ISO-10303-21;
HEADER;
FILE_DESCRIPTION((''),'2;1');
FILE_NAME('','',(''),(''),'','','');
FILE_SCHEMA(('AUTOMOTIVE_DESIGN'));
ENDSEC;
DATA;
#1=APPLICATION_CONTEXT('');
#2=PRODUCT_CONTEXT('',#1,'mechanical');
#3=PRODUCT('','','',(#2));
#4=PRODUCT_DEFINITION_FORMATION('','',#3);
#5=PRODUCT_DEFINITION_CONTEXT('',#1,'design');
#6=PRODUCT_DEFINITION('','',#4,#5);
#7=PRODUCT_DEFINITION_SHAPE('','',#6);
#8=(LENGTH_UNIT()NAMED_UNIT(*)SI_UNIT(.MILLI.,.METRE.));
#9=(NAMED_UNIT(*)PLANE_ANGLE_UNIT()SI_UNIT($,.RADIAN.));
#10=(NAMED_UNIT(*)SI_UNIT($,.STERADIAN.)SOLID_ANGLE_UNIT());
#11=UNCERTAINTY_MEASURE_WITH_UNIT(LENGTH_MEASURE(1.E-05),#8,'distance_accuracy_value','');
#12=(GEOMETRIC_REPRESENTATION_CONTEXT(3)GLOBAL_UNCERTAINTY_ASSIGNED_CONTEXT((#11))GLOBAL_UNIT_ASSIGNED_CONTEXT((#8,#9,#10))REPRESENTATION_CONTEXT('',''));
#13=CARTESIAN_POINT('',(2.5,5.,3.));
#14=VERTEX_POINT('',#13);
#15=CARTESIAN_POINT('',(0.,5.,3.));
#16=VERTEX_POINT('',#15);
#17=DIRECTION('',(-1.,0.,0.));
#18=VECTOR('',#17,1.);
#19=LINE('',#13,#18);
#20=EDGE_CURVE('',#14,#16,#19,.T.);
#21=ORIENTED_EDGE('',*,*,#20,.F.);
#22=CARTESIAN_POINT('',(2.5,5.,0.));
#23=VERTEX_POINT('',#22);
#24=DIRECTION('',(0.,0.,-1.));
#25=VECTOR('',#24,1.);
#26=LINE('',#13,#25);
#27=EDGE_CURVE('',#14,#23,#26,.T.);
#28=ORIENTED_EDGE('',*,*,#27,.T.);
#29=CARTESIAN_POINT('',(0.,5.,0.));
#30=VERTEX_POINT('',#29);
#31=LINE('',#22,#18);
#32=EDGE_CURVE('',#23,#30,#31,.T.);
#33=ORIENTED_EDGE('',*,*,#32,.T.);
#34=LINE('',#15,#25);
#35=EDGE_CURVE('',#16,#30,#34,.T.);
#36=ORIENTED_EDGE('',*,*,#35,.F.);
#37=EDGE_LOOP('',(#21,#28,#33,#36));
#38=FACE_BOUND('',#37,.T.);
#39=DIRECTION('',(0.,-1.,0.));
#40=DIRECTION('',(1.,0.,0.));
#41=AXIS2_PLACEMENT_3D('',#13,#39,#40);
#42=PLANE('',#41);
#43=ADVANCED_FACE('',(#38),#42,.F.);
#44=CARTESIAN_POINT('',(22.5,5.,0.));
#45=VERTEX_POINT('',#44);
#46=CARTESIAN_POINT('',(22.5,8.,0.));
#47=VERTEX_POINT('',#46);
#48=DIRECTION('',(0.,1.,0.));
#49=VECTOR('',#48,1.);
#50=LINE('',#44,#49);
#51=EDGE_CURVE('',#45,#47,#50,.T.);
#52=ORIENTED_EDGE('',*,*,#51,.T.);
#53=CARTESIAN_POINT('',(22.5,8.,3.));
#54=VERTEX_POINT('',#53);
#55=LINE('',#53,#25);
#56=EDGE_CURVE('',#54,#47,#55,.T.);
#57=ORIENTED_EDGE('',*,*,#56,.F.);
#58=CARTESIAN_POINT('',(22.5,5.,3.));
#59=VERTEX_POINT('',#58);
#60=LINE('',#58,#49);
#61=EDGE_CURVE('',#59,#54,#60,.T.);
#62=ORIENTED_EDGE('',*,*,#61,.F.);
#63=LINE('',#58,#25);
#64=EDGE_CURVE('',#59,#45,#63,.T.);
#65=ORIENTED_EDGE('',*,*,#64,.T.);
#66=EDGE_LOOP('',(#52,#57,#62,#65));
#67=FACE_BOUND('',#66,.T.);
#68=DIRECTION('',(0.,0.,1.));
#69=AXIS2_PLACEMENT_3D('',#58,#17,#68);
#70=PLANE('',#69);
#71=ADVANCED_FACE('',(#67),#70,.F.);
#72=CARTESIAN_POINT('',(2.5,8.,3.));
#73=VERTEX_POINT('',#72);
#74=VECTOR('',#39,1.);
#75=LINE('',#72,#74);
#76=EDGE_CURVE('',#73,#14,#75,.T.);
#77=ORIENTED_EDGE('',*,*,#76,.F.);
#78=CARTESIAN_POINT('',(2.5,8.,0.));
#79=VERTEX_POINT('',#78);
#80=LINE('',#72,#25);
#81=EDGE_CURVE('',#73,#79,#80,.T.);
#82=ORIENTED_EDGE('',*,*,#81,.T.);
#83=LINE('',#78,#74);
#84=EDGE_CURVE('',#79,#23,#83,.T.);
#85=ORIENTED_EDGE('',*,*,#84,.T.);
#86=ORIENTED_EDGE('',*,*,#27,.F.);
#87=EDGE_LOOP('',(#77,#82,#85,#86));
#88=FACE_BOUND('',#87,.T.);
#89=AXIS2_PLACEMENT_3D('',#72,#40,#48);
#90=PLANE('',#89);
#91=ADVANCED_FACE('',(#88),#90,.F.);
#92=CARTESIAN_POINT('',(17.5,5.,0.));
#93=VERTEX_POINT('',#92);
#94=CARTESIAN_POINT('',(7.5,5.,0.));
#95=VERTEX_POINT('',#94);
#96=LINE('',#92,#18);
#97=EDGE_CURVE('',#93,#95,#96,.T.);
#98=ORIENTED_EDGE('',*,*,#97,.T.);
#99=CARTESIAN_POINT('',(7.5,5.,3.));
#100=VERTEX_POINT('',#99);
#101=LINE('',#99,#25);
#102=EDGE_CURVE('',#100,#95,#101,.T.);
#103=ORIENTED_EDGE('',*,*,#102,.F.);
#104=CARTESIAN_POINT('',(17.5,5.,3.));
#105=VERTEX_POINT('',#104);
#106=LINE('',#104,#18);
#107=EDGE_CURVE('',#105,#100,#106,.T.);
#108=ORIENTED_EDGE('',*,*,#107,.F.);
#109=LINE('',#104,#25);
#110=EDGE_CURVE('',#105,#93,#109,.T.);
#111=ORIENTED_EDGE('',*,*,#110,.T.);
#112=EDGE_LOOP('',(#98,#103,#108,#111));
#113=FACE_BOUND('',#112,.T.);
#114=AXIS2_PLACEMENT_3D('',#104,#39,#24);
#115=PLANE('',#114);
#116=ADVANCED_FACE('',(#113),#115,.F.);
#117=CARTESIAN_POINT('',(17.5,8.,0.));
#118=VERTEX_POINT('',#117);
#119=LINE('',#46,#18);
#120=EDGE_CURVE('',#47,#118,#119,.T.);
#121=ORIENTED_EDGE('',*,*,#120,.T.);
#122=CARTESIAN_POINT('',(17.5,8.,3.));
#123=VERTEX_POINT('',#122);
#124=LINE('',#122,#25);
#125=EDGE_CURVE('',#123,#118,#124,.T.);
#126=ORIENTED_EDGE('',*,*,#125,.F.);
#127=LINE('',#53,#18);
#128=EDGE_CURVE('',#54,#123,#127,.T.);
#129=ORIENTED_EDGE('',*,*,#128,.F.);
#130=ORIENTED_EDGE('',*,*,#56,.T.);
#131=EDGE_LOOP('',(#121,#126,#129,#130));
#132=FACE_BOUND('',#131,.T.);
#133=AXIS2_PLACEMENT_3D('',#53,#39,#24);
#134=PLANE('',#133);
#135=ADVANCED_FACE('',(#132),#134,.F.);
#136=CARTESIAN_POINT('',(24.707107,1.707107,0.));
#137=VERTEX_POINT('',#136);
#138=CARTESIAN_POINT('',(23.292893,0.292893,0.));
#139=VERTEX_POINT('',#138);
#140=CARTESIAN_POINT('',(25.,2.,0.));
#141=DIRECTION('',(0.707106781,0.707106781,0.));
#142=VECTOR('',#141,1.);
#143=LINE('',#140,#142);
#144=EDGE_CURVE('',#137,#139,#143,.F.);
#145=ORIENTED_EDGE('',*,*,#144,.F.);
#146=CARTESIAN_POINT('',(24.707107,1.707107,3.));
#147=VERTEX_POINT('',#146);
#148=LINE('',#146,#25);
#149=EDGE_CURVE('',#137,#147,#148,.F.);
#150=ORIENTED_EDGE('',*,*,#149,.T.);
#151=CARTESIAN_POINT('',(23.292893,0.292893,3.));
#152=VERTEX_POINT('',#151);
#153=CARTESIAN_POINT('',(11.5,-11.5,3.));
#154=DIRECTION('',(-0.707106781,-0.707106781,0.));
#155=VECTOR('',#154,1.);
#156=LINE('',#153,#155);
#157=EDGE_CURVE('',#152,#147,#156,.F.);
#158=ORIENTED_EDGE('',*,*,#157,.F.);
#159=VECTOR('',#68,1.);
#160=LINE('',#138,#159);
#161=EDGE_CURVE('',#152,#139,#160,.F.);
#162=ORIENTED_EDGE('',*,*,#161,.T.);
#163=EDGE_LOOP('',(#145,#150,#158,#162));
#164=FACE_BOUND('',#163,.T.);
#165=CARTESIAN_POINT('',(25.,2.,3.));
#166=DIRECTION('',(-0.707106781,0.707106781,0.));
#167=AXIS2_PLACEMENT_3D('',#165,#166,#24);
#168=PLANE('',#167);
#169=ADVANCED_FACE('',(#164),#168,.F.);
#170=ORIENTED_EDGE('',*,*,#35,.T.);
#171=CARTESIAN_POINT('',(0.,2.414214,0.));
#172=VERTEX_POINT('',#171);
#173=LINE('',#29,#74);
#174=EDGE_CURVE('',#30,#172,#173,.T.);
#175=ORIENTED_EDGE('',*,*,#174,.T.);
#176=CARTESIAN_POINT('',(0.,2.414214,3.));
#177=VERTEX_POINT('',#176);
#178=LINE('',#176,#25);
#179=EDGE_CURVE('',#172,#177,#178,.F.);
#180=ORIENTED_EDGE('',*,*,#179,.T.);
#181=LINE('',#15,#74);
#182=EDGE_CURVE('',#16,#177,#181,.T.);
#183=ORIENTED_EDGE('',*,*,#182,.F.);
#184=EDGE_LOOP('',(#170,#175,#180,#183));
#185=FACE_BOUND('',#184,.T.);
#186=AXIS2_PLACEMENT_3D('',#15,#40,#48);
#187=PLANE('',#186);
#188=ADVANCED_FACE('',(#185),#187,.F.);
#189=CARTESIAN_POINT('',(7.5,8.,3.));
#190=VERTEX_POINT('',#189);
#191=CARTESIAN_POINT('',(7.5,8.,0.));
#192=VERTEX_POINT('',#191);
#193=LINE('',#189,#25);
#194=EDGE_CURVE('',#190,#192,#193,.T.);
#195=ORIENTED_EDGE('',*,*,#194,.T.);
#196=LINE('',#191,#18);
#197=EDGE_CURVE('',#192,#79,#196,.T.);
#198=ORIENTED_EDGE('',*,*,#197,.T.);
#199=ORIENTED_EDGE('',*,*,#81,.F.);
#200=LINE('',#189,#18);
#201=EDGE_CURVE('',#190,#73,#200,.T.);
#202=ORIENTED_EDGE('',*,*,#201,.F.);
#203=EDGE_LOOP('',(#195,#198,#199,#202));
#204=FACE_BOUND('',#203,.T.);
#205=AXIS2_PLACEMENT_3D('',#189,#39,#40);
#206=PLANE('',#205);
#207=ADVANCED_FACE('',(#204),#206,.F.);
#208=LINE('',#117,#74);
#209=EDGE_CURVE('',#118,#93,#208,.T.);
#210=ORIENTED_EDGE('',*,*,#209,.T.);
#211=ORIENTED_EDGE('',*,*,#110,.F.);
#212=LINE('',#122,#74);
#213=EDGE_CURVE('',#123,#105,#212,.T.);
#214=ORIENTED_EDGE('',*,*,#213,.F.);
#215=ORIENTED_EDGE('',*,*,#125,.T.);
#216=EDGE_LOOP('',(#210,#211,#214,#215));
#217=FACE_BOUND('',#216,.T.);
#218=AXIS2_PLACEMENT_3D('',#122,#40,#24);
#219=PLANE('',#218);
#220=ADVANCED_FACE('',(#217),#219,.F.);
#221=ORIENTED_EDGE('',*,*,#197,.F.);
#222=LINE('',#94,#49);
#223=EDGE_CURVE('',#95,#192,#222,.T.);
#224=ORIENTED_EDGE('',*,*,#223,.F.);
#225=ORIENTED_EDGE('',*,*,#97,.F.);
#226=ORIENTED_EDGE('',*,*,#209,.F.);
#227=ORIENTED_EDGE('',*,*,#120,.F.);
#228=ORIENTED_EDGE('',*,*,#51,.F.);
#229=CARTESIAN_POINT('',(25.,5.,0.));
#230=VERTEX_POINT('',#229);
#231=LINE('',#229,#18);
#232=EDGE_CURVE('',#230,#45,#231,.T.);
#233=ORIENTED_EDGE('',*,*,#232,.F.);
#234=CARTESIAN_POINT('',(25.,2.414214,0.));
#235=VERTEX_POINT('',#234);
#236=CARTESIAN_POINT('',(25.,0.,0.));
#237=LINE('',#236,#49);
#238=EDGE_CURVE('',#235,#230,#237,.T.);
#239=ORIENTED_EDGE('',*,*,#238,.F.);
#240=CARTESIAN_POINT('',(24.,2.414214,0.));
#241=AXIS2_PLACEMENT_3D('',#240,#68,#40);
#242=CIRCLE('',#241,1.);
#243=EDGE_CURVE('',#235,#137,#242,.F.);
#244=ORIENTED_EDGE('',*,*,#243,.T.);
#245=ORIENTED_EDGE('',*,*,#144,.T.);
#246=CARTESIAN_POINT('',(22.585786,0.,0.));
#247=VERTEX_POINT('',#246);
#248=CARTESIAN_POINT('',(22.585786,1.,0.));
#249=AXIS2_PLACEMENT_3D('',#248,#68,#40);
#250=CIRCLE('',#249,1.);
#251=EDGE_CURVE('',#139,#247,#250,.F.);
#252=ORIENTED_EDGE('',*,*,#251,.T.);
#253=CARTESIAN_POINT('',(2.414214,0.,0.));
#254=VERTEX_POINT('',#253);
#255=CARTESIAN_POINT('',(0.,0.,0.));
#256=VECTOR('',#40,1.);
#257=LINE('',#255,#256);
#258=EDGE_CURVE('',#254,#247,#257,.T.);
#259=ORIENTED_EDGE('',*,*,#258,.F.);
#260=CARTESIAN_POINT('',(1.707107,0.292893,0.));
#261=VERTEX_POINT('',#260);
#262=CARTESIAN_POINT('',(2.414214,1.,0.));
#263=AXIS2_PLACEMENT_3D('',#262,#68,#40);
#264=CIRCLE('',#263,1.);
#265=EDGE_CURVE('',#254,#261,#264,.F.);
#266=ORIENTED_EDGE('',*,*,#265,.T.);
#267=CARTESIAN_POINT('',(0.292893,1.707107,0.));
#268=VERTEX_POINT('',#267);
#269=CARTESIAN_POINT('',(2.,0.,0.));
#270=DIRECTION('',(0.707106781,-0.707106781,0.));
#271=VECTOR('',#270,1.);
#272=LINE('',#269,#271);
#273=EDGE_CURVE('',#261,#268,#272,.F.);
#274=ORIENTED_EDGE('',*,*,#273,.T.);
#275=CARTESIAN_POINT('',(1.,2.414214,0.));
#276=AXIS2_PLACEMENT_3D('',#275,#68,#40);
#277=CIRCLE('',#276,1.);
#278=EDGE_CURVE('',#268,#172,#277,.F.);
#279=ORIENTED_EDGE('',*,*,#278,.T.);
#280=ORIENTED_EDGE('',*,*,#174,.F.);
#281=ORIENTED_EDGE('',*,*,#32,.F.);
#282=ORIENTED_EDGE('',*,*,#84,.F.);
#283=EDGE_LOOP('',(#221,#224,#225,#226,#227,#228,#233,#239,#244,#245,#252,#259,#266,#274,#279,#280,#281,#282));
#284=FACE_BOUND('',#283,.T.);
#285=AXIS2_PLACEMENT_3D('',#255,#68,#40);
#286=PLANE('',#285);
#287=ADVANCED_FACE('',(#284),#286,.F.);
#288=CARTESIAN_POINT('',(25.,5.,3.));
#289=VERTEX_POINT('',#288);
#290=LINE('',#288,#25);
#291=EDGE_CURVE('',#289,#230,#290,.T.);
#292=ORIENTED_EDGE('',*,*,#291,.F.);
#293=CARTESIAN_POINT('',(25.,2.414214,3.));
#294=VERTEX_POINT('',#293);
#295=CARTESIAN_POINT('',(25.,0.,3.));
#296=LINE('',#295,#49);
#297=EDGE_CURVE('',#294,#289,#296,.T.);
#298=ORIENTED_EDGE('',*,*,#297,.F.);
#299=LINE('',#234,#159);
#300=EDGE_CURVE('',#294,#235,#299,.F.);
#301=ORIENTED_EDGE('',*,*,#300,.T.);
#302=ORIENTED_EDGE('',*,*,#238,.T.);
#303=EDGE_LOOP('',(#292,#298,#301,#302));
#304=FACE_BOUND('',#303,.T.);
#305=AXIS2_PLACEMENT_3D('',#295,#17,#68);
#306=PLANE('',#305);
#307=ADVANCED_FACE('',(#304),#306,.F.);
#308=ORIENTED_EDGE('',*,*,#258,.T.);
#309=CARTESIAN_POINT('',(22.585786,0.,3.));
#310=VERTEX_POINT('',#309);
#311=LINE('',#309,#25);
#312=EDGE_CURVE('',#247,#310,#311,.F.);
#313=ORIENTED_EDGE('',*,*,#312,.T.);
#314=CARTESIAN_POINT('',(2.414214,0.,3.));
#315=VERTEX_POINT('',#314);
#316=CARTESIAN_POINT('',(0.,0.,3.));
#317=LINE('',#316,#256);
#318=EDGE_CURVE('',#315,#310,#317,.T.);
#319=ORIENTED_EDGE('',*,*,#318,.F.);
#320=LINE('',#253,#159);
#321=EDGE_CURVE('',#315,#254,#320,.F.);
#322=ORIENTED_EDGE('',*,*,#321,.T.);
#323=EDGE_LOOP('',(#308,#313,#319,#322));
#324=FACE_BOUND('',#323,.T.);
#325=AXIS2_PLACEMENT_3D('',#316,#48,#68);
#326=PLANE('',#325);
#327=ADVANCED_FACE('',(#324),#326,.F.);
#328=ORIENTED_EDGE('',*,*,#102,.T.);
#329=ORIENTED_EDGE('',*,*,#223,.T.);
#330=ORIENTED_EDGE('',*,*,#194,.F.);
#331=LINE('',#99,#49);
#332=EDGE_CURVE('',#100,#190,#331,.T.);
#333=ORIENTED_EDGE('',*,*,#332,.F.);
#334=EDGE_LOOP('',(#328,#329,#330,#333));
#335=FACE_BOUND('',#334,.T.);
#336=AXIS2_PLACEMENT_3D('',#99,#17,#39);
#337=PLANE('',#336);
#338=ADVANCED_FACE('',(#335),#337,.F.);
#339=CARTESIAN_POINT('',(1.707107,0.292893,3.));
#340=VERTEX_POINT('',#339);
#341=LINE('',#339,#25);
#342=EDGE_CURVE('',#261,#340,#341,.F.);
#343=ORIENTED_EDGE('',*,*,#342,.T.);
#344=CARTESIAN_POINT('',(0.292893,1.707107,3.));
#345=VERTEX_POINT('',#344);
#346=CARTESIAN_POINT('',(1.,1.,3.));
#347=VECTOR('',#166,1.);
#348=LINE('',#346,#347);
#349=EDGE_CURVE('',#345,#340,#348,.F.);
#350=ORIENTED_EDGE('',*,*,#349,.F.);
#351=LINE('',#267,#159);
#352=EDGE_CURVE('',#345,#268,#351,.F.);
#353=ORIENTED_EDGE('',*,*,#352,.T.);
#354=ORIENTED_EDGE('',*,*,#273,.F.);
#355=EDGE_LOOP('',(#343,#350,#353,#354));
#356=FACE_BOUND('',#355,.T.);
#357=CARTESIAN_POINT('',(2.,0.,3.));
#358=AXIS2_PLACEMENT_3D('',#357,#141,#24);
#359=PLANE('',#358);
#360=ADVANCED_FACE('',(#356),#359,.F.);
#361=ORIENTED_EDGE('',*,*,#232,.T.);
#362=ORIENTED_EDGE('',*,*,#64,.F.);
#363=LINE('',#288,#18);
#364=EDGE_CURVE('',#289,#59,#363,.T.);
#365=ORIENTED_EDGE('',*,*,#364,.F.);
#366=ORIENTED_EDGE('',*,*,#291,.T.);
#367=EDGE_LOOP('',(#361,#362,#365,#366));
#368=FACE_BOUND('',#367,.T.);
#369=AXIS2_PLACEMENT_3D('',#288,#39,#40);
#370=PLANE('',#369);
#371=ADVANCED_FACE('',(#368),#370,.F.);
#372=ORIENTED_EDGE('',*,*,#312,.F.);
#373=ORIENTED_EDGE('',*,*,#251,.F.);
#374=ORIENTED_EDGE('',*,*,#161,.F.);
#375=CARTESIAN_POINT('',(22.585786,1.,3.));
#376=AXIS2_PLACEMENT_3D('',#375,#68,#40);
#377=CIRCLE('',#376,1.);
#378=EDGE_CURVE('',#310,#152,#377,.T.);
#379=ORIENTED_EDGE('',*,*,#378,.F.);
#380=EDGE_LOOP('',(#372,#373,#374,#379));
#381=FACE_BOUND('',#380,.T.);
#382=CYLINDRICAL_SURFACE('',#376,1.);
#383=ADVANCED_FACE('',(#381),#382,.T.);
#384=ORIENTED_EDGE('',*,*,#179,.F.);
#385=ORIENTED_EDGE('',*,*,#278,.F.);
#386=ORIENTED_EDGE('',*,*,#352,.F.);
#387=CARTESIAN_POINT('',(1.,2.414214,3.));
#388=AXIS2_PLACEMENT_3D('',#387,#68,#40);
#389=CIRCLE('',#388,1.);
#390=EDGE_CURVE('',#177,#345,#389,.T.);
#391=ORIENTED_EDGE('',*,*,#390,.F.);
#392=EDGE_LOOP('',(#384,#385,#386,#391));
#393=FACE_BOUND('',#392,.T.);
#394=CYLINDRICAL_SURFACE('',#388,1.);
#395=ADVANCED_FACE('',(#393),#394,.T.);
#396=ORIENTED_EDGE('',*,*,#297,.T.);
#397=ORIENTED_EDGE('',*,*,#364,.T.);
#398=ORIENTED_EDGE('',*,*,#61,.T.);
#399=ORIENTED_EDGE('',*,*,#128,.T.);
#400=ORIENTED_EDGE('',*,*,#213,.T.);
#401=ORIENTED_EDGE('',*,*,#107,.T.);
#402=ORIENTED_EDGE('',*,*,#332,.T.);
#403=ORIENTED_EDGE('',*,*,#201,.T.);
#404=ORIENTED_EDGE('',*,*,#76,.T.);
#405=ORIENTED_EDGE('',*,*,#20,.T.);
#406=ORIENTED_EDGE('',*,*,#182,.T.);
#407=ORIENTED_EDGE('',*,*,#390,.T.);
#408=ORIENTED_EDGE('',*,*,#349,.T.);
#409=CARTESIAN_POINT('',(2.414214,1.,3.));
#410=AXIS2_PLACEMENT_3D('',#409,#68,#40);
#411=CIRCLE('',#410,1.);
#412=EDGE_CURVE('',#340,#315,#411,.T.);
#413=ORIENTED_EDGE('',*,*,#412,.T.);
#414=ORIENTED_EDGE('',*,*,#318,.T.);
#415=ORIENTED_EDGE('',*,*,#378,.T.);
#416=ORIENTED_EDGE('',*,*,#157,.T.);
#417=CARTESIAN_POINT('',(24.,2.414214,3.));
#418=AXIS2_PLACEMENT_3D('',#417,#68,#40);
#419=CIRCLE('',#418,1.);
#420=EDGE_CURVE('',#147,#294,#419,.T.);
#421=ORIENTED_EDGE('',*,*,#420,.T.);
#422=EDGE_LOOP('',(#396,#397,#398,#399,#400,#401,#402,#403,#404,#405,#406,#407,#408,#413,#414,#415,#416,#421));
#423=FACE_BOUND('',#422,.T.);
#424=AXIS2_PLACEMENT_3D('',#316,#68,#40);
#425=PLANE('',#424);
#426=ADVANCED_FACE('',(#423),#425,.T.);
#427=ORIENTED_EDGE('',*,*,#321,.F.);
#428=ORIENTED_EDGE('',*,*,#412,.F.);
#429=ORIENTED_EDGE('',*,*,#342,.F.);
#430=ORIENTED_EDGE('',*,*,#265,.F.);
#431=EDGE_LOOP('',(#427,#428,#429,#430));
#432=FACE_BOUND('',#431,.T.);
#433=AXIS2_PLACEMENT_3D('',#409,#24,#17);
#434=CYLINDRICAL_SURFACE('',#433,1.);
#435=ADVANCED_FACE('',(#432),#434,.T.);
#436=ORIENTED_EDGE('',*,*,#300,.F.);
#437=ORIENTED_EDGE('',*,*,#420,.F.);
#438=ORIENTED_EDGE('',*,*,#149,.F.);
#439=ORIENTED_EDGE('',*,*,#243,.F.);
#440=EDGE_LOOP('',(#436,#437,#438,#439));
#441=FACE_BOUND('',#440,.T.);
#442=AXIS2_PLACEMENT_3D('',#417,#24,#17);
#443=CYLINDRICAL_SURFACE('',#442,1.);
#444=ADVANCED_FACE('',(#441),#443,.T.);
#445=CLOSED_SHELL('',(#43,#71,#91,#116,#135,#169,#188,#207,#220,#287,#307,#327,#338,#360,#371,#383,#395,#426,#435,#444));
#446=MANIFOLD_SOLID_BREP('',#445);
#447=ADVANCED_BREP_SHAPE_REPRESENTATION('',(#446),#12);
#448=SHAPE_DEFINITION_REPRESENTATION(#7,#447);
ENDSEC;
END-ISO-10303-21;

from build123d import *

# Parameters (mm, degrees)
BOSS_EXTRUDE1_DEPTH = 3
CHAMFER1_SIZE       = 2
FILLET1_R           = 1


with BuildPart() as part:
    # Sketch1 → Boss-Extrude1 (new body)
    with BuildSketch(Plane.XY):
        Polygon((0, 0), (25, 0), (25, 5), (22.5, 5), (22.5, 8), (17.5, 8), (17.5, 5), (7.5, 5), (7.5, 8), (2.5, 8), (2.5, 5), (0, 5), align=None)
    extrude(amount=BOSS_EXTRUDE1_DEPTH)

    # Chamfer1
    chamfer1_edges = [part.edges().sort_by_distance(p)[0] for p in [
        (25, 0, 1.5),
        (0, 0, 1.5),
    ]]
    chamfer(chamfer1_edges, length=CHAMFER1_SIZE)

    # Fillet1
    fillet1_edges = [part.edges().sort_by_distance(p)[0] for p in [
        (25, 2, 1.5),
        (2, 0, 1.5),
        (23, 0, 1.5),
        (0, 2, 1.5),
    ]]
    fillet(fillet1_edges, radius=FILLET1_R)


solid = part.part
